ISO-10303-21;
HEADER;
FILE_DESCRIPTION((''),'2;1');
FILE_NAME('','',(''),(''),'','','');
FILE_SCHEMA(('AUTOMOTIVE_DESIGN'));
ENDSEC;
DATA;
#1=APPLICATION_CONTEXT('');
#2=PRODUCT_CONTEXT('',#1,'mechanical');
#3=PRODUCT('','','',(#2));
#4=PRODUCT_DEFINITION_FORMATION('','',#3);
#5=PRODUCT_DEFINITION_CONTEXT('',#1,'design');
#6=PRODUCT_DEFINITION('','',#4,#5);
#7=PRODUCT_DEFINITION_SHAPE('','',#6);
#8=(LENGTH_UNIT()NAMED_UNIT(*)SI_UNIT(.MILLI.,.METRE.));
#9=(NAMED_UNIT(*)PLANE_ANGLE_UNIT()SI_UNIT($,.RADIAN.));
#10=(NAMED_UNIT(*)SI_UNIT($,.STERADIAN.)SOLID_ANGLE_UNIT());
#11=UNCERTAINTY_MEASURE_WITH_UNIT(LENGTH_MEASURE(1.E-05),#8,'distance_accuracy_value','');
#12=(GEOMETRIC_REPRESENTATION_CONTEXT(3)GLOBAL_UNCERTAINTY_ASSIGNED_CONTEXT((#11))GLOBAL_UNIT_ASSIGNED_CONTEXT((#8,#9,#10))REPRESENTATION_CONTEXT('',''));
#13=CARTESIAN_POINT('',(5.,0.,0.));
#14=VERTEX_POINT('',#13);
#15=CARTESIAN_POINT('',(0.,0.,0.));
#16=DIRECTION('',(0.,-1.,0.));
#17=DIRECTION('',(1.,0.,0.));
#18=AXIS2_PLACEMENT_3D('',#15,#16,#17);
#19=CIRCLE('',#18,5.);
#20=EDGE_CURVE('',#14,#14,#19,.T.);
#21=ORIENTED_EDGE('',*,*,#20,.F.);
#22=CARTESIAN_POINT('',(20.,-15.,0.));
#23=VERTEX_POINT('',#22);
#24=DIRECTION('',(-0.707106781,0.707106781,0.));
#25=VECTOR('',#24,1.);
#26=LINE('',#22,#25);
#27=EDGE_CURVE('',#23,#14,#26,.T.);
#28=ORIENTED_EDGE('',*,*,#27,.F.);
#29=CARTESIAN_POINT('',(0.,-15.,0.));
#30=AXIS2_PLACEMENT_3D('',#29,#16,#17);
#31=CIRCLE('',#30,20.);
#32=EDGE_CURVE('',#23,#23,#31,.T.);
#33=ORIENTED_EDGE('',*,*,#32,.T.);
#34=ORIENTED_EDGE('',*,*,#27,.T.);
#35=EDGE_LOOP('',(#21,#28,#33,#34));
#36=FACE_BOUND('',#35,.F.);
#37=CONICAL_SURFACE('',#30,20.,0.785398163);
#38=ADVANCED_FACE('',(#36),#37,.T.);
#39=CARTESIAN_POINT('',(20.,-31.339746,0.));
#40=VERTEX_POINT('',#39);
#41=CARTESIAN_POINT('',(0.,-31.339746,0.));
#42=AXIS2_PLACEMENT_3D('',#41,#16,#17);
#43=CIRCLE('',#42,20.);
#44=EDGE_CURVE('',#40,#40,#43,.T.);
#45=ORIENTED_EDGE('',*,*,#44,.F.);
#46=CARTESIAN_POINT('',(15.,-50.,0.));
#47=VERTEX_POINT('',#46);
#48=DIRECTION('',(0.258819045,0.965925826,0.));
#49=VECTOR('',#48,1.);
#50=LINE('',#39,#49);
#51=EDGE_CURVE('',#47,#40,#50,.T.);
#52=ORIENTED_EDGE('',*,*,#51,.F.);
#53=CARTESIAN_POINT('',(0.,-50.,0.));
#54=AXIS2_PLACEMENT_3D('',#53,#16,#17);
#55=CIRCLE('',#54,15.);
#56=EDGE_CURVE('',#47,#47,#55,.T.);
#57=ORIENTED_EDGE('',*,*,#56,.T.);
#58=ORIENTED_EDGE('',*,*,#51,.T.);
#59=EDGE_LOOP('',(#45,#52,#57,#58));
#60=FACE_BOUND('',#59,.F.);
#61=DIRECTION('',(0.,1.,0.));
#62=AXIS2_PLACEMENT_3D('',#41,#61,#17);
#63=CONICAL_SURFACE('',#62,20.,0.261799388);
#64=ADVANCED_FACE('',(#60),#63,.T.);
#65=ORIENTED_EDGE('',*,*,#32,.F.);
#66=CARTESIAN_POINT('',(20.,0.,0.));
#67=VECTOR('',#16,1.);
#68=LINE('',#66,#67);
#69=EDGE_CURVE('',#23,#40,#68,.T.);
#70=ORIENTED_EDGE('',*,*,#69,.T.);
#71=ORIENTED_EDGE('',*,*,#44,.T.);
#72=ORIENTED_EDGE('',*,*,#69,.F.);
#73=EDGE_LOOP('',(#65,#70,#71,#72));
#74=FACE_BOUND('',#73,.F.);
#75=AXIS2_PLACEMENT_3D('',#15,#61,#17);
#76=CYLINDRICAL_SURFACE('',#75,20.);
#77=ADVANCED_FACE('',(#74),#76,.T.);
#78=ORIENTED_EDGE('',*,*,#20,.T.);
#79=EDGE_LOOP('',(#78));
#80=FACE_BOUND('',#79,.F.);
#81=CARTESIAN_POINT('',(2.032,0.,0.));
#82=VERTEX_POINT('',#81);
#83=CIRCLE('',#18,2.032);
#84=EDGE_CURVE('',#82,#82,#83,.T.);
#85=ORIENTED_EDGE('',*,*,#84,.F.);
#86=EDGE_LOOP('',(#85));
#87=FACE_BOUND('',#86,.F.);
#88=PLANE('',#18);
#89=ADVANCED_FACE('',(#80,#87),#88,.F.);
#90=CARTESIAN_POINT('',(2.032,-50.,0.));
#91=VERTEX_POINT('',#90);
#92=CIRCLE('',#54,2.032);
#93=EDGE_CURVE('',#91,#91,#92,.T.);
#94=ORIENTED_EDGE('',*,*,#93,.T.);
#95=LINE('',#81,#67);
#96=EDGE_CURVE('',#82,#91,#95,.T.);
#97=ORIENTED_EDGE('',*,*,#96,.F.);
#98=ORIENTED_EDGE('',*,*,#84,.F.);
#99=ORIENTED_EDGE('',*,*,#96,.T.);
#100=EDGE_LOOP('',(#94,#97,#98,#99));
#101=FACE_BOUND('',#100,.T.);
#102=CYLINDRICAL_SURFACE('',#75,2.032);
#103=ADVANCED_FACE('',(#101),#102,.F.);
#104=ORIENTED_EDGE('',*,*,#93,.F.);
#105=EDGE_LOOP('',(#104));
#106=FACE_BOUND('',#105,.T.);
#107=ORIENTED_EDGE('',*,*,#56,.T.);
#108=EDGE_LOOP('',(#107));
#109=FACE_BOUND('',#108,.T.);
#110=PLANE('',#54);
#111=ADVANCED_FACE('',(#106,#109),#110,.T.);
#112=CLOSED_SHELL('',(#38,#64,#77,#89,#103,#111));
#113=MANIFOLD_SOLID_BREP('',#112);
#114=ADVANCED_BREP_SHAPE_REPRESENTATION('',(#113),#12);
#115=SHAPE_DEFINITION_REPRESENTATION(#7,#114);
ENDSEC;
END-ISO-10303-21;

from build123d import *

# Parameters (mm, degrees)
F0_R     = 20
F0_R_2   = 2.032
F1_DEPTH = 50
F2_SIZE2 = 18.6602540378
F2_SIZE  = 5
F3_SIZE  = 15


with BuildPart() as f1:
    # F0 (on Front) → F1 (new body)
    with BuildSketch(Plane.XZ):
        Circle(F0_R)
        Circle(F0_R_2, mode=Mode.SUBTRACT)
    extrude(amount=F1_DEPTH)

    # F2
    f2_edges = [f1.edges().sort_by_distance(p)[0] for p in [
        (-20, -50, 0),
    ]]
    f2_side = f1.faces().sort_by_distance((-19.434315, -50, 0))[0]
    chamfer(f2_edges, length=F2_SIZE, length2=F2_SIZE2, reference=f2_side)

    # F3
    f3_edges = [f1.edges().sort_by_distance(p)[0] for p in [
        (-20, 0, 0),
    ]]
    chamfer(f3_edges, length=F3_SIZE)


solid = f1.part
